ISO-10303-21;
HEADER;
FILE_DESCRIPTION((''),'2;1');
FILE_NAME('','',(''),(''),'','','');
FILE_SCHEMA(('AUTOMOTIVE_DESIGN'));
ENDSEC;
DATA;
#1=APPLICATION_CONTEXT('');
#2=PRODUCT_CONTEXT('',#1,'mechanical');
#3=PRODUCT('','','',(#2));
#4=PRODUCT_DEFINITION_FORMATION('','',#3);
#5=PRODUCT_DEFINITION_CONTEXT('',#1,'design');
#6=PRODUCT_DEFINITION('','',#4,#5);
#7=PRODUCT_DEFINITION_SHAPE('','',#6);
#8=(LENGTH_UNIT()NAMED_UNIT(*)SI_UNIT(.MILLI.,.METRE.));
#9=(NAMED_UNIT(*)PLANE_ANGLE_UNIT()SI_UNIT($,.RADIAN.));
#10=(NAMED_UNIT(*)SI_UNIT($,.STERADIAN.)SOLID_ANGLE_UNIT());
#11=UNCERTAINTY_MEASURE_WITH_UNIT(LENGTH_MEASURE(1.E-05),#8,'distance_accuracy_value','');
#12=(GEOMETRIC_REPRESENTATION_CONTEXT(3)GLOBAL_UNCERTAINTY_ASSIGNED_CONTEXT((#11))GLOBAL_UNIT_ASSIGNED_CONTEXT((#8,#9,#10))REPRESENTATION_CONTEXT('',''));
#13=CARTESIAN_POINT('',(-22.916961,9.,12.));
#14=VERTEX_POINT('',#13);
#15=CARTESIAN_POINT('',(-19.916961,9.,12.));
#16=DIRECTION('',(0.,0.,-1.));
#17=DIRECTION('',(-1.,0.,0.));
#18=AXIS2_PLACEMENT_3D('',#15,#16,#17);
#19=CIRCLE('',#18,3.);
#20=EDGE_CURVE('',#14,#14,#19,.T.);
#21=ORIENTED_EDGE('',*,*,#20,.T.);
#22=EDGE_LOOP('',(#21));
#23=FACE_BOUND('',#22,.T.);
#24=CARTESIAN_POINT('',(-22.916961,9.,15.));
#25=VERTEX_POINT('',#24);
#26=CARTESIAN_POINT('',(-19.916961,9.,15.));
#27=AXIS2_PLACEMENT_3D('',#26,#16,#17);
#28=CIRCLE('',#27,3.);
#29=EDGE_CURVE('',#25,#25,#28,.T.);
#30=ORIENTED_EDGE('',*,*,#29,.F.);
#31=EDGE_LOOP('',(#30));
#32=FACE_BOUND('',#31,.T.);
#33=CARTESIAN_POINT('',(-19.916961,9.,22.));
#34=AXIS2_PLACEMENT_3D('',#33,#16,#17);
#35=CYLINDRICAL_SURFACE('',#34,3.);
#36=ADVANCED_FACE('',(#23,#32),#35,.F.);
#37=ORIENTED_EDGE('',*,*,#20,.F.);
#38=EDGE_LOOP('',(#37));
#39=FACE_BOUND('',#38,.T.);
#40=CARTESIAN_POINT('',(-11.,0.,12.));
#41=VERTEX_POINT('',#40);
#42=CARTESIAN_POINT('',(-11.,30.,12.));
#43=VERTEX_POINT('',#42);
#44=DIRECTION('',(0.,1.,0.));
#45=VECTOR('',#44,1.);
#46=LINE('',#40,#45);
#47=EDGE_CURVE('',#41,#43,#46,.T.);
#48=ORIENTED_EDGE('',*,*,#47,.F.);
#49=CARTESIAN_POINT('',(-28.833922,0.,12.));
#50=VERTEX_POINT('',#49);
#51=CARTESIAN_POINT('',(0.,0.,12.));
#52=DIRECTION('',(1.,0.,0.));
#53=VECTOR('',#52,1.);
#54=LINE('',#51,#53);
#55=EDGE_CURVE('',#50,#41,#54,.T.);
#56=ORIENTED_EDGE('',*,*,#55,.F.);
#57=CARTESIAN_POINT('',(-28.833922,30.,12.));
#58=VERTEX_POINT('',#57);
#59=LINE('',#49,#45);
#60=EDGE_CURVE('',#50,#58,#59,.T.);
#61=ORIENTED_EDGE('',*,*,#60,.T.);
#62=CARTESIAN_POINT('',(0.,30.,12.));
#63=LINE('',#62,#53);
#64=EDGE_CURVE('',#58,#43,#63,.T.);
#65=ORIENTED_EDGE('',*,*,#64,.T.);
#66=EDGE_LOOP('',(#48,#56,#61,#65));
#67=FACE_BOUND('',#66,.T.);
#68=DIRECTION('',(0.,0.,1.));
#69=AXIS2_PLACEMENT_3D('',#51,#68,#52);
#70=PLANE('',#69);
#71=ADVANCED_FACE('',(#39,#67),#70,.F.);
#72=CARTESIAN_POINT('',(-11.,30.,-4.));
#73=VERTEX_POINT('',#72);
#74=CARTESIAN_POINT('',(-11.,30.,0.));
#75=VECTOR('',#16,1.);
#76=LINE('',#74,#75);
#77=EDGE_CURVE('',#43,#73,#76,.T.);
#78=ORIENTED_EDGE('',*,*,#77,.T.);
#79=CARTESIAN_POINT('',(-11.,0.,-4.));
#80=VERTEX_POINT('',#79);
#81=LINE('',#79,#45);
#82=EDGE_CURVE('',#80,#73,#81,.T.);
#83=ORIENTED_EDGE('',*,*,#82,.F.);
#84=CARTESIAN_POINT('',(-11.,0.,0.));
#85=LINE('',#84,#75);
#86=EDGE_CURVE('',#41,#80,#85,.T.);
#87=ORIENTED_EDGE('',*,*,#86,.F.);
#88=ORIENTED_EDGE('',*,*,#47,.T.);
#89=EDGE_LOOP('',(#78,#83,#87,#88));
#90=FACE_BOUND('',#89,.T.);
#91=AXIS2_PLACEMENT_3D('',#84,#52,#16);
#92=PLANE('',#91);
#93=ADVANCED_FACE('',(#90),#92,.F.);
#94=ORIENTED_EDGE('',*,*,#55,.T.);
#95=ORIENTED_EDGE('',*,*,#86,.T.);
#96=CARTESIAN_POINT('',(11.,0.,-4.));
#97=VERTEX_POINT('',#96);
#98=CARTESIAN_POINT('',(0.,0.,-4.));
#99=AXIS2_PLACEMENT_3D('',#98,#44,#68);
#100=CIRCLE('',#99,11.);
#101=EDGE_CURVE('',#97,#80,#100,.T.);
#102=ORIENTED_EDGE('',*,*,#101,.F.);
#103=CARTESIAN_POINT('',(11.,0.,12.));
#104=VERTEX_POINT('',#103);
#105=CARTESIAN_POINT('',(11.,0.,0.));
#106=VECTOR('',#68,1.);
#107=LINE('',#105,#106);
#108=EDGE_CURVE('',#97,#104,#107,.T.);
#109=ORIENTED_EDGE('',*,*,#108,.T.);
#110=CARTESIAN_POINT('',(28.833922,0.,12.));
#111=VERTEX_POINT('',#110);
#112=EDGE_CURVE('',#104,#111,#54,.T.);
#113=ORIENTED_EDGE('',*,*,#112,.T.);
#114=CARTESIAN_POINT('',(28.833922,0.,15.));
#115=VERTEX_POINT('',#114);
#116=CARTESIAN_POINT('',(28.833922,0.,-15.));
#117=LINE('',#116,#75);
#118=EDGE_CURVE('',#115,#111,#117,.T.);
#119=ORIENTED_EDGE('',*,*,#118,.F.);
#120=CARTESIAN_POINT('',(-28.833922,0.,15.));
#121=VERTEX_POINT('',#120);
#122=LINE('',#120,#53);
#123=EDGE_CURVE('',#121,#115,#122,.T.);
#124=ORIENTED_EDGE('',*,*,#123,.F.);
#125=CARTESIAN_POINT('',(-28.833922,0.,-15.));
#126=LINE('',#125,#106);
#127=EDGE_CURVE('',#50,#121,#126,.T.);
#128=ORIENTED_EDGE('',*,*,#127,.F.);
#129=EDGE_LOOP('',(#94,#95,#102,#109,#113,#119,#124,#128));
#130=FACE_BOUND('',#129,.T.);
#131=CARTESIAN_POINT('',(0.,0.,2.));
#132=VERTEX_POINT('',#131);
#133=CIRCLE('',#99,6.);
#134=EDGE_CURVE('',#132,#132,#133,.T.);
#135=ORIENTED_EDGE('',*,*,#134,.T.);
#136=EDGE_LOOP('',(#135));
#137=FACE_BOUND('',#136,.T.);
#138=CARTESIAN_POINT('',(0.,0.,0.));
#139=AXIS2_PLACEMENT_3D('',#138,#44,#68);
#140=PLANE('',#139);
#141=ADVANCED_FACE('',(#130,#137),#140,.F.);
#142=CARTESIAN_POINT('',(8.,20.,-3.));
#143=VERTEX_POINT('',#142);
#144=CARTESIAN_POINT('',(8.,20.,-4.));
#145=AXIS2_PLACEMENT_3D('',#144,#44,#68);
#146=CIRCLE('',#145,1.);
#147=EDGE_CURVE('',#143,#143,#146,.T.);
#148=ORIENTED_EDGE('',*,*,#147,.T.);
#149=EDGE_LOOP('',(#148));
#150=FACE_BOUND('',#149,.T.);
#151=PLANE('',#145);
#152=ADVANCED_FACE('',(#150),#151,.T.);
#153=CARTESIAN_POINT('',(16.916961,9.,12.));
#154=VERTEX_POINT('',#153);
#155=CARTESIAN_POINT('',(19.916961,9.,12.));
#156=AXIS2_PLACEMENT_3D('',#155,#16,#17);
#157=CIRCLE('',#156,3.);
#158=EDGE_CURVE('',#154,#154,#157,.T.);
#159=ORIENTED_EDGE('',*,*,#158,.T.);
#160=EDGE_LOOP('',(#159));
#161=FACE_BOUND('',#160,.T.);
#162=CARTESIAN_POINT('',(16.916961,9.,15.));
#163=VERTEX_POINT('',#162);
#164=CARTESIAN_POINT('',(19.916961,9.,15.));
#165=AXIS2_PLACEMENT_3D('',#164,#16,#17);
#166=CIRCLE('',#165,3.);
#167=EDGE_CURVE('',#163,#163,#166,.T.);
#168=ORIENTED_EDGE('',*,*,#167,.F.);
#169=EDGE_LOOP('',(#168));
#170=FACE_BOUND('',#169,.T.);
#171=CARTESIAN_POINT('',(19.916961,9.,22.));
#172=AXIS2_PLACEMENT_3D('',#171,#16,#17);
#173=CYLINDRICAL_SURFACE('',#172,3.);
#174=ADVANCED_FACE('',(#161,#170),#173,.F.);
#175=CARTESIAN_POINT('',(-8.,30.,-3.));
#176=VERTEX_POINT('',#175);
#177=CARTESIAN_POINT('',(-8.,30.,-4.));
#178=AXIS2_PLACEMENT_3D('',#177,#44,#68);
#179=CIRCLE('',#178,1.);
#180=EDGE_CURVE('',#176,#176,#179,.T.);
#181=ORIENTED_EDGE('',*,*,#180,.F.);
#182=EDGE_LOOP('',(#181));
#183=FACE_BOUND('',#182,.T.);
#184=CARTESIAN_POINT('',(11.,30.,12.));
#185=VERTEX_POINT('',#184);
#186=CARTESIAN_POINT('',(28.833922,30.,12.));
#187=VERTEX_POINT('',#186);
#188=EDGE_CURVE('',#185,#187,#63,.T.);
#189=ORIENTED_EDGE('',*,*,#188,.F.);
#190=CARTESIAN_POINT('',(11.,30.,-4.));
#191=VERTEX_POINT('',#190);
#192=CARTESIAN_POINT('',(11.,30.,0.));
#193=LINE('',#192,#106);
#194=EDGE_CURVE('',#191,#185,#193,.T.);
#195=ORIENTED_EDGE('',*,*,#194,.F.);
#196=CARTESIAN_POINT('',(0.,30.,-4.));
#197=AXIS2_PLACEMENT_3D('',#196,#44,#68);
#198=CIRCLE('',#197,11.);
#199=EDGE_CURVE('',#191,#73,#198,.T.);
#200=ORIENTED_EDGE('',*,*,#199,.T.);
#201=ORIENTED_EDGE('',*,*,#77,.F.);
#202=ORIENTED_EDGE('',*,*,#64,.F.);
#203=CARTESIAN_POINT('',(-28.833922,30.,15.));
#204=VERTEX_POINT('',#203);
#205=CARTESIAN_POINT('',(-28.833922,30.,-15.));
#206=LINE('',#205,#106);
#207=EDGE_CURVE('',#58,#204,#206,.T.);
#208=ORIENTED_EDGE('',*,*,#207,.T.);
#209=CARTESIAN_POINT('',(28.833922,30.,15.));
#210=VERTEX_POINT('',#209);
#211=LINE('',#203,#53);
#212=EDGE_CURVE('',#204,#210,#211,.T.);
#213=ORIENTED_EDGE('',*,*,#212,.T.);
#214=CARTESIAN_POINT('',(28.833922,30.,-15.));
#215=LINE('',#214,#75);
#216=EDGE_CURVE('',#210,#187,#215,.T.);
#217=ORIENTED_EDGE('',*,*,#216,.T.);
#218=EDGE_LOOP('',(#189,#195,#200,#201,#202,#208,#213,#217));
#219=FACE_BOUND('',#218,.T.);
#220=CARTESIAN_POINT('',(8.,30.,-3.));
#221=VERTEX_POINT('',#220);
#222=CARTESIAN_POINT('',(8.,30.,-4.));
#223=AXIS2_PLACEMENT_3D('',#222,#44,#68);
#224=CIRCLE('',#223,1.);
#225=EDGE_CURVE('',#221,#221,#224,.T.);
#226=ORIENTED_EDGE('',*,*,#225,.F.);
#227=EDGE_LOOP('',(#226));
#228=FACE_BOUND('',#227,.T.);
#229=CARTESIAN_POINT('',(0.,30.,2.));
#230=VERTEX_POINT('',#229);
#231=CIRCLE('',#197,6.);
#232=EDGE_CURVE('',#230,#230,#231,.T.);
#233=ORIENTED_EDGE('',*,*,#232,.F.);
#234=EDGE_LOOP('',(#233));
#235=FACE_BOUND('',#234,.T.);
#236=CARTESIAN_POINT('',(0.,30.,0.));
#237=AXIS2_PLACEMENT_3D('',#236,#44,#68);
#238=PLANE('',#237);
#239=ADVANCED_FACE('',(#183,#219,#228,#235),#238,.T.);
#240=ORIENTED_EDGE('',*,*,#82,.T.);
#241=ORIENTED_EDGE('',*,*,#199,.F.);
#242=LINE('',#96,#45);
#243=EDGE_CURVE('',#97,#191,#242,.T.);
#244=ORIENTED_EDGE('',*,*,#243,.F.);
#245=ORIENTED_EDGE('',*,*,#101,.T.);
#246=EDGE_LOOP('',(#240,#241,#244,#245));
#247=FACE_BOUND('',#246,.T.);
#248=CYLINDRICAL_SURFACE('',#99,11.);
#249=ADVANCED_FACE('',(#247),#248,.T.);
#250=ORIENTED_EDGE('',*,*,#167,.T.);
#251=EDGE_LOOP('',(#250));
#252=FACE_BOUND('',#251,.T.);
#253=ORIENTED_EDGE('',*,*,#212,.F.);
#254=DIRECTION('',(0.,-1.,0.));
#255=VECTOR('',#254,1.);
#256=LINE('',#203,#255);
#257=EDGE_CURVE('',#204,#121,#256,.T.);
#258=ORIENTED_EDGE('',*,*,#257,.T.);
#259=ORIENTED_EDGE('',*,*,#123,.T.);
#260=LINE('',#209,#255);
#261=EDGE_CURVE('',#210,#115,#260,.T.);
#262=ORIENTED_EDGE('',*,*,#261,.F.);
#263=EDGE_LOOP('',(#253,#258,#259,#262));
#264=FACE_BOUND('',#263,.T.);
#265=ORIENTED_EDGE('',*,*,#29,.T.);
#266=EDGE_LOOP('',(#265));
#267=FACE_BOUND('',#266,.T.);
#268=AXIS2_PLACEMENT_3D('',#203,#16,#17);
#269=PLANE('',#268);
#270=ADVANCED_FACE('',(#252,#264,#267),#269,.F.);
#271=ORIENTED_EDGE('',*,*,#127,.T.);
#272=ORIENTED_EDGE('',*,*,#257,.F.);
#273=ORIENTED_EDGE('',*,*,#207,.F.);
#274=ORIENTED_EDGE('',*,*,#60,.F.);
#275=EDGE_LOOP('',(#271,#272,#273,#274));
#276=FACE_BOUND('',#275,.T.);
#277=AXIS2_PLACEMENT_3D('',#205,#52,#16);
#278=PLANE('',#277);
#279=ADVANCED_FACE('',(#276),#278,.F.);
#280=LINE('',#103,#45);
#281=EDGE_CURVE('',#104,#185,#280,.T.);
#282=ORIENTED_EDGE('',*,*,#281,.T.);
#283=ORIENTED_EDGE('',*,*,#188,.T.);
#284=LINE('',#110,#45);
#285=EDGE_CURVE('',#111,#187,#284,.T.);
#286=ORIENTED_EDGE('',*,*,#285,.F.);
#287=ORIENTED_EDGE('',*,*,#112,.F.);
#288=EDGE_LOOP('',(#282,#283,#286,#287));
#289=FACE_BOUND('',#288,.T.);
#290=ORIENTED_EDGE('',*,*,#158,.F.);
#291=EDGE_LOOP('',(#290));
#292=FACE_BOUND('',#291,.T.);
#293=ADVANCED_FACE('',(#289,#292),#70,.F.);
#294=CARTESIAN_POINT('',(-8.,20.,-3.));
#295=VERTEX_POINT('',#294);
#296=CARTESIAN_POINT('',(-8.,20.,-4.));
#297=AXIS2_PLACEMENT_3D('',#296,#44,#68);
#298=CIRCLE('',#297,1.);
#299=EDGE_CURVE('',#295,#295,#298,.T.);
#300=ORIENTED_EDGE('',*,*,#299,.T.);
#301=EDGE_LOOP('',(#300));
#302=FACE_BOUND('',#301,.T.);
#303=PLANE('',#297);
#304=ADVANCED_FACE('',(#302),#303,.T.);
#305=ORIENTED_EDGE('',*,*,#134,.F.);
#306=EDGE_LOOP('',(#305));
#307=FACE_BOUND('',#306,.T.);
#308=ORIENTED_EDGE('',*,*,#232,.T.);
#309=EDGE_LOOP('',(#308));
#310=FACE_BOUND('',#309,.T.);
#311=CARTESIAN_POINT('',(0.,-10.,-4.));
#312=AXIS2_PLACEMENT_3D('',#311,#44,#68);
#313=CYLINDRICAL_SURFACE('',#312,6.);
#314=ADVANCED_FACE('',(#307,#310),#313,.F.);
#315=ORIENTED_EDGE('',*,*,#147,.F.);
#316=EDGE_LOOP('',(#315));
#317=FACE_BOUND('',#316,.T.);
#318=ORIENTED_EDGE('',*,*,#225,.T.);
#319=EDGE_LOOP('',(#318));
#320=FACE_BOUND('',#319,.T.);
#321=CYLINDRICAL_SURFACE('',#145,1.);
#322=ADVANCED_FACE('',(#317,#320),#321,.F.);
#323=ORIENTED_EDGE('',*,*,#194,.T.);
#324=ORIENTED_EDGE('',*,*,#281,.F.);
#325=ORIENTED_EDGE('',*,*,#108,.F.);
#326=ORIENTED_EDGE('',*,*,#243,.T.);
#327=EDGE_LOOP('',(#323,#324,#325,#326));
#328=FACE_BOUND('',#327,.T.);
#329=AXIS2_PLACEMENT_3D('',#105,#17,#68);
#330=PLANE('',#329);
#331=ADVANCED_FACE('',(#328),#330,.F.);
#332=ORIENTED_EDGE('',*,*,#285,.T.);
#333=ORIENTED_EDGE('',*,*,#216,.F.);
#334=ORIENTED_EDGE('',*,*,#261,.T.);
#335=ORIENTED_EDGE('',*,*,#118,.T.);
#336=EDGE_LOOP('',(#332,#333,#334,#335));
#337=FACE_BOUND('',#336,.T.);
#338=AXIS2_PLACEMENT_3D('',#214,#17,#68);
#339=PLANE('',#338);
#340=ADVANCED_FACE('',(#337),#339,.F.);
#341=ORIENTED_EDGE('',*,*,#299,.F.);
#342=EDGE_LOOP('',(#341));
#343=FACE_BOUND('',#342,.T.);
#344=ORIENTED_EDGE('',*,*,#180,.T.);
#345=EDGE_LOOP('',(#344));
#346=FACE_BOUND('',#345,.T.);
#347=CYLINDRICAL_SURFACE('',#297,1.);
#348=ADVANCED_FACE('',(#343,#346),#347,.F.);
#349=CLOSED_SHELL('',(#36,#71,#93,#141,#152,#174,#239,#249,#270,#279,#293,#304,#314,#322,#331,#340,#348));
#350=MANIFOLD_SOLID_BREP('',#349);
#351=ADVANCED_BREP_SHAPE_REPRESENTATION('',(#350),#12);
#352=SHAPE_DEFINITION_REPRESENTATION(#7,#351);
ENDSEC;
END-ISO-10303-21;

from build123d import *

# Parameters (mm, degrees)
SKETCH1_W           = 57.667844522
SKETCH1_H           = 30
BOSS_EXTRUDE1_DEPTH = 30
SKETCH2_R           = 6
CUT_EXTRUDE2_DEPTH  = 40
CUT_EXTRUDE3_DEPTH  = 31
SKETCH8_R           = 1
CUT_EXTRUDE6_DEPTH  = 10
SKETCH10_R          = 3
CUT_EXTRUDE8_DEPTH  = 10


with BuildPart() as part:
    # Sketch1 → Boss-Extrude1 (new body)
    with BuildSketch(Plane(origin=(0, 0, 0), x_dir=(1, 0, 0), z_dir=(0, 1, 0))):
        Rectangle(SKETCH1_W, SKETCH1_H)
    extrude(amount=BOSS_EXTRUDE1_DEPTH)

    # Sketch2 → Cut-Extrude2 (cut)
    with BuildSketch(Plane(origin=(0, 30, 0), x_dir=(1, 0, 0), z_dir=(0, 1, 0))):
        with Locations((0, 4)):
            Circle(SKETCH2_R)
    extrude(amount=-CUT_EXTRUDE2_DEPTH, mode=Mode.SUBTRACT)

    # Sketch4 → Cut-Extrude3 (cut, through all)
    with BuildSketch(Plane(origin=(0, 30, 0), x_dir=(1, 0, 0), z_dir=(0, 1, 0))):
        with BuildLine():
            ThreePointArc((-4.5e-08, 15), (7.778174577, 11.778174609), (11, 4))
            Line((11, 4), (11, -12))
            Line((11, -12), (28.833922261, -12))
            Line((28.833922261, -12), (28.833922261, 15))
            Line((28.833922261, 15), (-4.5e-08, 15))
        make_face()
        with BuildLine():
            ThreePointArc((-11, 4), (-7.778174609, 11.778174577), (-4.5e-08, 15))
            Line((-4.5e-08, 15), (-28.833922261, 15))
            Line((-28.833922261, 15), (-28.833922261, -12))
            Line((-28.833922261, -12), (-11, -12))
            Line((-11, -12), (-11, 4))
        make_face()
    extrude(amount=-CUT_EXTRUDE3_DEPTH, mode=Mode.SUBTRACT)

    # Sketch8 → Cut-Extrude6 (cut)
    with BuildSketch(Plane(origin=(0, 30, 0), x_dir=(1, 0, 0), z_dir=(0, 1, 0))):
        with Locations((-8, 4)):
            Circle(SKETCH8_R)
        with Locations((8, 4)):
            Circle(SKETCH8_R)
    extrude(amount=-CUT_EXTRUDE6_DEPTH, mode=Mode.SUBTRACT)

    # Sketch10 → Cut-Extrude8 (cut)
    with BuildSketch(Plane(origin=(0, 0, 12), x_dir=(-1, 0, 0), z_dir=(0, 0, -1))):
        with Locations((19.916961131, 9)):
            Circle(SKETCH10_R)
        with Locations((-19.916961131, 9)):
            Circle(SKETCH10_R)
    extrude(amount=-CUT_EXTRUDE8_DEPTH, mode=Mode.SUBTRACT)


solid = part.part
